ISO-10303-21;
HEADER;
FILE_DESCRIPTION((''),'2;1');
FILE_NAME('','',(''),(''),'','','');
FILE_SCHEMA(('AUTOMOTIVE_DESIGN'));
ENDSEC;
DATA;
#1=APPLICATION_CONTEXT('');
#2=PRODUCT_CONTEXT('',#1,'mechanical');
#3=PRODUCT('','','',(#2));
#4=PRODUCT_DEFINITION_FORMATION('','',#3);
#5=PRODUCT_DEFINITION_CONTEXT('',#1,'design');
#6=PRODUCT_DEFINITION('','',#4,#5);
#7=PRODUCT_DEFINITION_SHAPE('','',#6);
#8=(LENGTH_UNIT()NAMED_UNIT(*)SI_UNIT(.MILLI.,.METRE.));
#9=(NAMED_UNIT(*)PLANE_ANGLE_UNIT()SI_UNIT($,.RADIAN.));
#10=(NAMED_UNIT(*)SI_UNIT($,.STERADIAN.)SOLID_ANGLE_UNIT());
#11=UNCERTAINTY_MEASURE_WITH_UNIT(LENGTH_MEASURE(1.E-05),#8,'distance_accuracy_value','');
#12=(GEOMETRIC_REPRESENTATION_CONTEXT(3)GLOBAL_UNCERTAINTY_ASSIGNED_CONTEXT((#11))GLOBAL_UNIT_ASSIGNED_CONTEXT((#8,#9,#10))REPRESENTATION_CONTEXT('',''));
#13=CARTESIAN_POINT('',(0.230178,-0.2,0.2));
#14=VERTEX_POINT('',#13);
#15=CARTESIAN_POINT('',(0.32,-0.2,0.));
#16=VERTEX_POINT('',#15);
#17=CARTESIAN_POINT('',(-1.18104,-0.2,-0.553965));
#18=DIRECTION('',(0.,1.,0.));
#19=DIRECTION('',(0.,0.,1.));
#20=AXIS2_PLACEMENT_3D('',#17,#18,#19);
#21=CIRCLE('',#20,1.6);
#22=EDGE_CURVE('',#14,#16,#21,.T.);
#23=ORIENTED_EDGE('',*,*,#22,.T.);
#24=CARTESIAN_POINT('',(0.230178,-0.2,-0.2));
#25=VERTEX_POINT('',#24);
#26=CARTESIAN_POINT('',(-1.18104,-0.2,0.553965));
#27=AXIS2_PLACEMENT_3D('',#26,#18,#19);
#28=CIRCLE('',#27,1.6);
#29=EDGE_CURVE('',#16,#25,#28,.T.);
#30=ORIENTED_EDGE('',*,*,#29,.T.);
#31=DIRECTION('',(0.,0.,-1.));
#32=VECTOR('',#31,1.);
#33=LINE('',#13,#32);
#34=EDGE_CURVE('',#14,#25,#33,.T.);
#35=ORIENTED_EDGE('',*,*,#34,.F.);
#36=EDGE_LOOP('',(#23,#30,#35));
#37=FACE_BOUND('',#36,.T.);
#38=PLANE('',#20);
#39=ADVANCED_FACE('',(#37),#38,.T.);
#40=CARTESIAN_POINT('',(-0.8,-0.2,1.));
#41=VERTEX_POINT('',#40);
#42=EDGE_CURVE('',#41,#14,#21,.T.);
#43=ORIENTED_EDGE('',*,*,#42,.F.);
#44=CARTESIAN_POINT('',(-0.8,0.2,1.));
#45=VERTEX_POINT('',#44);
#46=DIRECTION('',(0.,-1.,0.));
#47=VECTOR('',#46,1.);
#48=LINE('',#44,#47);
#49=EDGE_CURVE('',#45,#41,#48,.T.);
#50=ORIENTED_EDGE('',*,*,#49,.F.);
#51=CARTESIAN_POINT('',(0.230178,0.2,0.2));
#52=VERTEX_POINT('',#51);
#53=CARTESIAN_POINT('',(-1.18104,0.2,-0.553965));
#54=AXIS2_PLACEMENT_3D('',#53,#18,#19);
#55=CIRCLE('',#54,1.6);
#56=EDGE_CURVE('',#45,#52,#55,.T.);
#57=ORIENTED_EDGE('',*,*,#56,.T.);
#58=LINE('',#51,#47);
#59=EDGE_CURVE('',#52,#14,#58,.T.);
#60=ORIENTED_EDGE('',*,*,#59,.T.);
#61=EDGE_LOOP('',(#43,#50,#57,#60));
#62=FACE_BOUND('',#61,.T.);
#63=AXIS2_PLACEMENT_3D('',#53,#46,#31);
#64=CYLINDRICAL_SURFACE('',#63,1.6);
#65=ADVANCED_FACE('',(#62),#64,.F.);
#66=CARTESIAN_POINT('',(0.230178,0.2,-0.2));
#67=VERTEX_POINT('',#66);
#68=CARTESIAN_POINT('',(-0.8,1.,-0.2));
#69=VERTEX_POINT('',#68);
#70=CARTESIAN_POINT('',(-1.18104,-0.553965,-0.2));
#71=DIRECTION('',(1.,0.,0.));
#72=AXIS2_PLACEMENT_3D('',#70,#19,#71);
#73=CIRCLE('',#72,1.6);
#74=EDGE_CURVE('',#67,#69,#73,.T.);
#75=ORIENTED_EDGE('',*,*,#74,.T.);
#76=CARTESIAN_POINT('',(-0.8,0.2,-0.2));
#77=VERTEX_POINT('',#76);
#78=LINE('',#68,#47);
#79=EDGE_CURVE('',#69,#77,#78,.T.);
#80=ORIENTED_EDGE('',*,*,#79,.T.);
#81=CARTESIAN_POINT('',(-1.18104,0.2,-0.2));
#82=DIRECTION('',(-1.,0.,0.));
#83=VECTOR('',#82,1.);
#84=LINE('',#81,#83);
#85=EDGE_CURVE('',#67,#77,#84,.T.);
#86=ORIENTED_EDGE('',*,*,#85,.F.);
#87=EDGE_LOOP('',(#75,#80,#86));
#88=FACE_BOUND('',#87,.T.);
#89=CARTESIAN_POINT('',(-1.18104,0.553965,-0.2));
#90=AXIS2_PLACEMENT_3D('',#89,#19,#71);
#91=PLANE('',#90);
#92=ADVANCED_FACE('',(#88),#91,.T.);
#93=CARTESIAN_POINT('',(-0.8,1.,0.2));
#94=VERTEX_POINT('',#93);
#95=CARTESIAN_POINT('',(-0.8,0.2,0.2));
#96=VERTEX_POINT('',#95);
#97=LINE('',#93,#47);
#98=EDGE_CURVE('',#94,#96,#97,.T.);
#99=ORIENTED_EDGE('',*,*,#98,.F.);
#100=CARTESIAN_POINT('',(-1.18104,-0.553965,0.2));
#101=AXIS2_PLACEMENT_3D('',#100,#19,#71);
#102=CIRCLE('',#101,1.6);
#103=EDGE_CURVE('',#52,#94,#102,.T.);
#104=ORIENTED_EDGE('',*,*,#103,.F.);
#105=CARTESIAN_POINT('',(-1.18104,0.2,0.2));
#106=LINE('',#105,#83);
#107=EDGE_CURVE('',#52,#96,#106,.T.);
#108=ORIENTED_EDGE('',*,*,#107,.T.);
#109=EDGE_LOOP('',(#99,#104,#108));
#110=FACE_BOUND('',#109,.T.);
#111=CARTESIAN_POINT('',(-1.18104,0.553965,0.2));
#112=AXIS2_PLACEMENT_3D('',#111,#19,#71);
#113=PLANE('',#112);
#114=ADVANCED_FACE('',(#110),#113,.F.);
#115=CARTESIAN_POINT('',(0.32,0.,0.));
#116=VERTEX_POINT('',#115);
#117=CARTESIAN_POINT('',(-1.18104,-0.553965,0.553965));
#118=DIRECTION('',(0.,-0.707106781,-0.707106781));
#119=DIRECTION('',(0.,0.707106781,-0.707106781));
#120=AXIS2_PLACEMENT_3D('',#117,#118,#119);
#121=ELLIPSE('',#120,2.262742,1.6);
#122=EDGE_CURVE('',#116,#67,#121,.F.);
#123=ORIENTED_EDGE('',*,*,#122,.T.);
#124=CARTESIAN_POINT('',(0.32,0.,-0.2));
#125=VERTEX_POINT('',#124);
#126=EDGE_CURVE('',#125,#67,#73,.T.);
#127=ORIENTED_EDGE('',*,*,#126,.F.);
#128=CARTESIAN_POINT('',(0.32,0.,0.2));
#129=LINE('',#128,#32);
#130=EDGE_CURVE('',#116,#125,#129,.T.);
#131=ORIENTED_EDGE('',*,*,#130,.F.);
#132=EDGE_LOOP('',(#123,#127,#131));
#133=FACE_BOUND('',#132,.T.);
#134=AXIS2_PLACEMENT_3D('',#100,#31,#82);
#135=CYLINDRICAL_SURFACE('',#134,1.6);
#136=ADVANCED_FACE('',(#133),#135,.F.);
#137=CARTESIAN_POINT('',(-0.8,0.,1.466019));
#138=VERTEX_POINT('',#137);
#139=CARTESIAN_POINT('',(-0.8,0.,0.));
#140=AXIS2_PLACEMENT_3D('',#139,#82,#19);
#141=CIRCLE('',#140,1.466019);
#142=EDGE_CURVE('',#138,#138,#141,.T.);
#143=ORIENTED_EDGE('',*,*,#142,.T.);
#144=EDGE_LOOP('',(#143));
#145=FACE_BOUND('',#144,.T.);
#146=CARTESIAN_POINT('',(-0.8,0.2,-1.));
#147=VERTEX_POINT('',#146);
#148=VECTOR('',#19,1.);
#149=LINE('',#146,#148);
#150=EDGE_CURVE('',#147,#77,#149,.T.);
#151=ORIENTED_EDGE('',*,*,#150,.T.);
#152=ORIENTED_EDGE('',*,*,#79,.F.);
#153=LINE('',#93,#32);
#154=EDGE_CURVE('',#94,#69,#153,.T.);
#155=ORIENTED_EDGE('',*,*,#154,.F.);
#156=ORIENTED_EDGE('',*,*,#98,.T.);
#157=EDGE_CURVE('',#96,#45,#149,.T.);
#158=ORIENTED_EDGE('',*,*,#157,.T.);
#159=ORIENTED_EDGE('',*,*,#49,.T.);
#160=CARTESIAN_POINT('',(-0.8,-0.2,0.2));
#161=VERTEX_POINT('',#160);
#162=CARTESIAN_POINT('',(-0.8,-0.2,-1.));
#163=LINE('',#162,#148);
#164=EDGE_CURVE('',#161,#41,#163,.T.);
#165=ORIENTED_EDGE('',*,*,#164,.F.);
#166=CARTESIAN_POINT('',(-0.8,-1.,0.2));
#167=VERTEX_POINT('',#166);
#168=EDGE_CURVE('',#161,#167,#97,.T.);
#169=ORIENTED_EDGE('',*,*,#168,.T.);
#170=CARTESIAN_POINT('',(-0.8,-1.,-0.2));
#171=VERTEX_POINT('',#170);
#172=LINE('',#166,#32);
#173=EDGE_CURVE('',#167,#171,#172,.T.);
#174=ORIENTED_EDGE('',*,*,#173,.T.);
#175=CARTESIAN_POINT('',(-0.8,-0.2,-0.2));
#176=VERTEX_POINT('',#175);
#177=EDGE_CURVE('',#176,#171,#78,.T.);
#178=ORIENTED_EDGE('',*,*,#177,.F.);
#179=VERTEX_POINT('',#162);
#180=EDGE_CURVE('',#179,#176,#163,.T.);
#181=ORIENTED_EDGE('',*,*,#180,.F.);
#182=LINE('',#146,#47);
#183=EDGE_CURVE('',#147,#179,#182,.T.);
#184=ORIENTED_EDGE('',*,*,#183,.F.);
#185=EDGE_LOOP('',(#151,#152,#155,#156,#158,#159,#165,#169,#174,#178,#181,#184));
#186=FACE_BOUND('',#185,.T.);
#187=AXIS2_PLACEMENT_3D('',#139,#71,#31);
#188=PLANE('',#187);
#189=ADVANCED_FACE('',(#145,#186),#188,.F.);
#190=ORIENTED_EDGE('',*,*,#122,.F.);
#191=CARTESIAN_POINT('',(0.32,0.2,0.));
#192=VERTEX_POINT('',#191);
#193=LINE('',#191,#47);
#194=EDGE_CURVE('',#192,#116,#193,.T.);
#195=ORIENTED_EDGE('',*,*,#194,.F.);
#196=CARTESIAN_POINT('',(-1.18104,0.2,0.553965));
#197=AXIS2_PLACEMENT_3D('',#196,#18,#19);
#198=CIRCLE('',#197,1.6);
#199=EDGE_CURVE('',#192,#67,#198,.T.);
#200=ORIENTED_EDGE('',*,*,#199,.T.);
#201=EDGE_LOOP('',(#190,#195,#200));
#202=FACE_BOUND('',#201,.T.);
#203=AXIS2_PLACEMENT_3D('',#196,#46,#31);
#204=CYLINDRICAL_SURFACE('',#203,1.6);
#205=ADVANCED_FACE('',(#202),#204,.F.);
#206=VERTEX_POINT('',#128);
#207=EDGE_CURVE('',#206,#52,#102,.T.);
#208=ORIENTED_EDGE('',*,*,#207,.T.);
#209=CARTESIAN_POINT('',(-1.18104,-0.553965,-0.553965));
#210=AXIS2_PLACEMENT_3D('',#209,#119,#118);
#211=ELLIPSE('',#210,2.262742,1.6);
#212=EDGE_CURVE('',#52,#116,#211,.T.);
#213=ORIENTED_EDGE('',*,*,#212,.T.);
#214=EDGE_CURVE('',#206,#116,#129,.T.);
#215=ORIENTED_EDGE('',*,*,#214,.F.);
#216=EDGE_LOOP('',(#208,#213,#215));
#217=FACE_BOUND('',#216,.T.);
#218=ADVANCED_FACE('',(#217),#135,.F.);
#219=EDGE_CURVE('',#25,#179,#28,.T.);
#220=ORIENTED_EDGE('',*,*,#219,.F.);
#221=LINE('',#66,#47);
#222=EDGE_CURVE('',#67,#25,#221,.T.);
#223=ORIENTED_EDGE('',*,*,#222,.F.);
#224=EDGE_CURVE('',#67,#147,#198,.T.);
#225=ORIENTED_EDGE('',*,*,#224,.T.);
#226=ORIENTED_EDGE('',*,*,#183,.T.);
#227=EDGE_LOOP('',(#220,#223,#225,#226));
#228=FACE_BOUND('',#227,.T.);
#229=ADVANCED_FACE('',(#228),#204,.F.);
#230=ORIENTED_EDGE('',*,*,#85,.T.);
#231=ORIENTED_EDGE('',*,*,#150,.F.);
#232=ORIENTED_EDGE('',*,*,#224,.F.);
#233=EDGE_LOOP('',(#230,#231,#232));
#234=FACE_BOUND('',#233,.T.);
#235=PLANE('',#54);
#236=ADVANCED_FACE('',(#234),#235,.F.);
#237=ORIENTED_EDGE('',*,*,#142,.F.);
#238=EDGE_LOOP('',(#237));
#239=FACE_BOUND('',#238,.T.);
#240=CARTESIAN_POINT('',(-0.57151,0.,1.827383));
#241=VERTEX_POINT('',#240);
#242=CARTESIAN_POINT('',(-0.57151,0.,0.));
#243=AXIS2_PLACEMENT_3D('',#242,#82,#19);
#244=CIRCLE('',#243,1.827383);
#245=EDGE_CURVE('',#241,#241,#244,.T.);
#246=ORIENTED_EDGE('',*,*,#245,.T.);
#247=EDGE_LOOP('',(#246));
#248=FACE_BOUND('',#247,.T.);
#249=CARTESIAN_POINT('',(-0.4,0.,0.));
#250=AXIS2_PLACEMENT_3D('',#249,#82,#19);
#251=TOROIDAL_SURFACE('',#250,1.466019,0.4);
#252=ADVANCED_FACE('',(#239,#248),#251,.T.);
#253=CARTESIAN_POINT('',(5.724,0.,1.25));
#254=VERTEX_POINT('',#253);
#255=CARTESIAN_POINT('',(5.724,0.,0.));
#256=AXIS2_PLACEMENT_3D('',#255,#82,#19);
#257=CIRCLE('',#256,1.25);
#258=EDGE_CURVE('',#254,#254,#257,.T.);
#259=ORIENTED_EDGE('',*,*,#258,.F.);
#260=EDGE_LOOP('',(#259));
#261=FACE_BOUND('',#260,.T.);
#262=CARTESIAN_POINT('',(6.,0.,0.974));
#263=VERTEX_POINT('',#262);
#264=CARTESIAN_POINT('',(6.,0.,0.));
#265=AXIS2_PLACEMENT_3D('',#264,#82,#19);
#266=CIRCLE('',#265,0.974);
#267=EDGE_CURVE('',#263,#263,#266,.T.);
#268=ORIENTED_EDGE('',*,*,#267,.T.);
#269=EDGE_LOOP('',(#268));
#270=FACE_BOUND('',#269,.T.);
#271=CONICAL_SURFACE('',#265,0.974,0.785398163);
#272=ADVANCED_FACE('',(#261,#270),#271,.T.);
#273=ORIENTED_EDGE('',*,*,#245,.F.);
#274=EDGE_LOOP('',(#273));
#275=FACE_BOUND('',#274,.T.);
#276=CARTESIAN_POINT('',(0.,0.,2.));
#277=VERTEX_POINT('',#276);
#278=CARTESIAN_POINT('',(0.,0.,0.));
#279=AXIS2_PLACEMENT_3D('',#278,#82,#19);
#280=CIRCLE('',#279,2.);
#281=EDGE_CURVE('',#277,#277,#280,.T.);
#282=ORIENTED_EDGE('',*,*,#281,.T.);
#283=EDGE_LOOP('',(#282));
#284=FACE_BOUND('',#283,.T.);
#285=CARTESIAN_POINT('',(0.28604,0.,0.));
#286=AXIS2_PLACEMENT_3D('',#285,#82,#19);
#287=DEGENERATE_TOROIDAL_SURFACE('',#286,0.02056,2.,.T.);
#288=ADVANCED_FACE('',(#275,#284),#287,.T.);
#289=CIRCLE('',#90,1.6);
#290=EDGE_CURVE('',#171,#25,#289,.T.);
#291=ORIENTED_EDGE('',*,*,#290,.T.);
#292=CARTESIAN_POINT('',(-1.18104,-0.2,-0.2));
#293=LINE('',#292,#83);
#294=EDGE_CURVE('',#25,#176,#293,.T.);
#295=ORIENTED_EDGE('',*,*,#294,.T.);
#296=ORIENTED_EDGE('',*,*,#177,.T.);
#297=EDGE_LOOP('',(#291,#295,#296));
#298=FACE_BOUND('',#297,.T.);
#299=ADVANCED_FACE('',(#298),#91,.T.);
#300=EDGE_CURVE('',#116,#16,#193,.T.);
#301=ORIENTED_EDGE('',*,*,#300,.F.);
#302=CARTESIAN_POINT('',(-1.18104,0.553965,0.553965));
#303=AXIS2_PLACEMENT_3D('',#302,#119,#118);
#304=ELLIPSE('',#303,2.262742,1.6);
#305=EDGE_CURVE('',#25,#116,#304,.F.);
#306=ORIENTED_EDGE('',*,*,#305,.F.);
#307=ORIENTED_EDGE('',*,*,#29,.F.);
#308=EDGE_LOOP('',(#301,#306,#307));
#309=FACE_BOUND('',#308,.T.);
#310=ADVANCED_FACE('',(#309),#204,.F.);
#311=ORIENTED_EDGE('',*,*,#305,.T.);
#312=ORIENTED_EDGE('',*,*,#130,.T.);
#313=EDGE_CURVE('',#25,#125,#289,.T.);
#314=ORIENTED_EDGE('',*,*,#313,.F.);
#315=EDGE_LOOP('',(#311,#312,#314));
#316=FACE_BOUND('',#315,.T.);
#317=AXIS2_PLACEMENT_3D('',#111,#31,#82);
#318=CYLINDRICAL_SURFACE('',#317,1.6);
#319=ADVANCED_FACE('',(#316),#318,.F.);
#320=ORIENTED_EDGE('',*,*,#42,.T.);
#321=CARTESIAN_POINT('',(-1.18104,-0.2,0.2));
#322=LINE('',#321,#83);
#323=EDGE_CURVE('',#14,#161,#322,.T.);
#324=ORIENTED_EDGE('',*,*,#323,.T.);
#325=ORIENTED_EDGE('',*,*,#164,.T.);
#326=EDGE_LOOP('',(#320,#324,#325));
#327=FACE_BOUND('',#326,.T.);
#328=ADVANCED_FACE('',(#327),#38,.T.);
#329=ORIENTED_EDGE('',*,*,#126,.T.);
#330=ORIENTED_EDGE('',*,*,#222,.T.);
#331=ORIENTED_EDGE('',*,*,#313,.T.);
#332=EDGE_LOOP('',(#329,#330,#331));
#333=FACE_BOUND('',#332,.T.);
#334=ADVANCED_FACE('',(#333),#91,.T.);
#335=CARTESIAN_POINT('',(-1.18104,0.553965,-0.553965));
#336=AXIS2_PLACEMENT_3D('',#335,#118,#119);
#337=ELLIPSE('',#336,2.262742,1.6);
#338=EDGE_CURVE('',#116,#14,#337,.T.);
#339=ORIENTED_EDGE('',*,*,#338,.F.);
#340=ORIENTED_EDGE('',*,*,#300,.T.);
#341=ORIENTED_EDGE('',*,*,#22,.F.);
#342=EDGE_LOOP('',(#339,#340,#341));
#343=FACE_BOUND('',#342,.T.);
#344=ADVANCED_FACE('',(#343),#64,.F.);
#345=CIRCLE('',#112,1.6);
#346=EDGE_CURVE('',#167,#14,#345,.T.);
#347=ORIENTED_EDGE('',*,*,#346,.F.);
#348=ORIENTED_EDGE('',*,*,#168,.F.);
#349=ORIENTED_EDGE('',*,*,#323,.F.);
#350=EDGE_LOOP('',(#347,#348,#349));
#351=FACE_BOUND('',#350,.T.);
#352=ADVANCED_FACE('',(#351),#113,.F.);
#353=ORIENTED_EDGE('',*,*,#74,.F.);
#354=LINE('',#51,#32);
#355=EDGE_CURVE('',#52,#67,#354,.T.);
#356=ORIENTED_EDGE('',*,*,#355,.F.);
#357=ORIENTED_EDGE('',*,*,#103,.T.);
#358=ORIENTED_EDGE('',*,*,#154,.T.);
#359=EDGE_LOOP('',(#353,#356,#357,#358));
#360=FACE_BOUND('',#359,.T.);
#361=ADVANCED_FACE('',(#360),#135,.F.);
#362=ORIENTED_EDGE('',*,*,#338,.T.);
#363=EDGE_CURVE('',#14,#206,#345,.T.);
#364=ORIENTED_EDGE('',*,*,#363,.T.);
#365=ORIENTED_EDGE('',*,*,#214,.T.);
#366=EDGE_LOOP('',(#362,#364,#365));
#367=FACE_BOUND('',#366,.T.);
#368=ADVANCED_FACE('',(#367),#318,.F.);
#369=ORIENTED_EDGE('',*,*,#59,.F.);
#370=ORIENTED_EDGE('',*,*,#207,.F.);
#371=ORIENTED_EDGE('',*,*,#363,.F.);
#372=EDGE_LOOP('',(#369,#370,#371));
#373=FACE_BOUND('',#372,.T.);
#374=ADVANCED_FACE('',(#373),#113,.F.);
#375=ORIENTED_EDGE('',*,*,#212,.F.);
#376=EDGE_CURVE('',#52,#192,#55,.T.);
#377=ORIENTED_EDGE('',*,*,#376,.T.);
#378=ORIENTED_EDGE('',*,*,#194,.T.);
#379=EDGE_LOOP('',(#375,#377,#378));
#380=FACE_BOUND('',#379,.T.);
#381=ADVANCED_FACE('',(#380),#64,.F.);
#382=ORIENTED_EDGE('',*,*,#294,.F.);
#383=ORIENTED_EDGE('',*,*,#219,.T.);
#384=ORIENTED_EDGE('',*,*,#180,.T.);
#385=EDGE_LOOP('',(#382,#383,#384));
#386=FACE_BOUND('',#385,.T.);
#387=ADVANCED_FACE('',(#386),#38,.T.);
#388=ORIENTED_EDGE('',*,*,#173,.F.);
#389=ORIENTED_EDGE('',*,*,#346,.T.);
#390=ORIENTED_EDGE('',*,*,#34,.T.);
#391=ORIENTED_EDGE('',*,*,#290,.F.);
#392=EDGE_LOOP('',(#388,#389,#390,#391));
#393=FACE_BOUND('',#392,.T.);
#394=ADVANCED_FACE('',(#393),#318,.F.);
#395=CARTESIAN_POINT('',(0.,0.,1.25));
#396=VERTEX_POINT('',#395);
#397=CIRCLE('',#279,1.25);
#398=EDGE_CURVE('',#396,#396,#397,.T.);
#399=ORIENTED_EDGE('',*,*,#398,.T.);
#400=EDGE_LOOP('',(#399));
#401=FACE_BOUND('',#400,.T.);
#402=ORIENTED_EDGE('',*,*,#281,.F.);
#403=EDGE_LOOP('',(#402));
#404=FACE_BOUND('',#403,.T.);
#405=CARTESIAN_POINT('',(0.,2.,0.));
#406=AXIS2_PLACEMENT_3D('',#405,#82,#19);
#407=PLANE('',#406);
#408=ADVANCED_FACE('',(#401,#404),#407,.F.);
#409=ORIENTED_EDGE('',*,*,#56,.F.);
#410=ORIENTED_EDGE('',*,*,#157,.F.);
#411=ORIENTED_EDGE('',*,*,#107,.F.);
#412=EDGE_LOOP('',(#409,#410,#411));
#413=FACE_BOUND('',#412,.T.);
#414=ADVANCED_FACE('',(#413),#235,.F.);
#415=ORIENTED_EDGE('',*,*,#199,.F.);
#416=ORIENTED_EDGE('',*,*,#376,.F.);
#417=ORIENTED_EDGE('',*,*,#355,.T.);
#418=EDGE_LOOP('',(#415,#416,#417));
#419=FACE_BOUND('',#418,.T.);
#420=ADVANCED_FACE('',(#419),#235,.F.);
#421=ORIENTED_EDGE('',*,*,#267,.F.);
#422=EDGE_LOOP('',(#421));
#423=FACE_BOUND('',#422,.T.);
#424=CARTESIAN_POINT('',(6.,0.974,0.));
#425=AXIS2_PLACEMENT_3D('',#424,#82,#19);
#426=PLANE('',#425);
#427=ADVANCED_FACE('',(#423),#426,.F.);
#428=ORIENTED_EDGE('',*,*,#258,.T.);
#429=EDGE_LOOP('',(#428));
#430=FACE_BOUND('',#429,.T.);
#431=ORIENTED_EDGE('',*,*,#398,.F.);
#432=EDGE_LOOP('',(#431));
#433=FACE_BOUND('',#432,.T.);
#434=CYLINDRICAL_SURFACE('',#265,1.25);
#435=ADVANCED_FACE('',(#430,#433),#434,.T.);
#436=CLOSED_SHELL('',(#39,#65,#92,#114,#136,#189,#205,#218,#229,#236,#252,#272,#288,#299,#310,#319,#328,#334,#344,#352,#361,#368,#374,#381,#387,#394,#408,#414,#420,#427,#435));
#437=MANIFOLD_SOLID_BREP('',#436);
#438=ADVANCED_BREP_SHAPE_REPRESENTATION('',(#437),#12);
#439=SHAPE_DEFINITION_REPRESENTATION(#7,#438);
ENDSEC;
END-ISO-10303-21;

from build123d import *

# Parameters (mm, degrees)
CUT_EXTRUDE1_DEPTH      = 0.2
CUT_EXTRUDE1_DEPTH_BACK = 0.2
CUT_EXTRUDE2_DEPTH      = 0.2
CUT_EXTRUDE2_DEPTH_BACK = 0.2


with BuildPart() as part:
    # Sketch1 → Revolve1 (revolve)
    with BuildSketch(Plane.XY):
        with BuildLine():
            Line((-0.8, 0), (-0.8, 1.46601855))
            ThreePointArc((-0.8, 1.46601855), (-0.738085774, 1.679789478), (-0.571509952, 1.827383098))
            ThreePointArc((-0.571509952, 1.827383098), (-0.29223212, 1.93513645), (0, 2))
            Line((0, 2), (0, 1.25))
            Line((0, 1.25), (5.724, 1.25))
            Line((5.724, 1.25), (6, 0.974))
            Line((6, 0.974), (6, 0))
            Line((6, 0), (-0.8, 0))
        make_face()
    revolve(axis=Axis((6, 0, 0), (-1, 0, 0)))

    # Sketch2 → Cut-Extrude1 (cut, two sides: drawn at the far end of the back side and taken through both)
    with BuildSketch(Plane.XY.offset(-CUT_EXTRUDE1_DEPTH_BACK)):
        with BuildLine():
            Line((-0.8, 1), (-0.8, -1))
            ThreePointArc((-0.8, -1), (-0.115415221, -0.639534952), (0.32, 0))
            ThreePointArc((0.32, 0), (-0.115415221, 0.639534952), (-0.8, 1))
        make_face()
    extrude(amount=CUT_EXTRUDE1_DEPTH + CUT_EXTRUDE1_DEPTH_BACK, mode=Mode.SUBTRACT)

    # Sketch3 → Cut-Extrude2 (cut, two sides: drawn at the far end of the back side and taken through both)
    with BuildSketch(Plane(origin=(0, 0, 0), x_dir=(1, 0, 0), z_dir=(0, 1, 0)).offset(-CUT_EXTRUDE2_DEPTH_BACK)):
        with BuildLine():
            Line((-0.8, 1), (-0.8, -1))
            ThreePointArc((-0.8, -1), (-0.115415221, -0.639534952), (0.32, 0))
            ThreePointArc((0.32, 0), (-0.115415221, 0.639534952), (-0.8, 1))
        make_face()
    extrude(amount=CUT_EXTRUDE2_DEPTH + CUT_EXTRUDE2_DEPTH_BACK, mode=Mode.SUBTRACT)


solid = part.part
